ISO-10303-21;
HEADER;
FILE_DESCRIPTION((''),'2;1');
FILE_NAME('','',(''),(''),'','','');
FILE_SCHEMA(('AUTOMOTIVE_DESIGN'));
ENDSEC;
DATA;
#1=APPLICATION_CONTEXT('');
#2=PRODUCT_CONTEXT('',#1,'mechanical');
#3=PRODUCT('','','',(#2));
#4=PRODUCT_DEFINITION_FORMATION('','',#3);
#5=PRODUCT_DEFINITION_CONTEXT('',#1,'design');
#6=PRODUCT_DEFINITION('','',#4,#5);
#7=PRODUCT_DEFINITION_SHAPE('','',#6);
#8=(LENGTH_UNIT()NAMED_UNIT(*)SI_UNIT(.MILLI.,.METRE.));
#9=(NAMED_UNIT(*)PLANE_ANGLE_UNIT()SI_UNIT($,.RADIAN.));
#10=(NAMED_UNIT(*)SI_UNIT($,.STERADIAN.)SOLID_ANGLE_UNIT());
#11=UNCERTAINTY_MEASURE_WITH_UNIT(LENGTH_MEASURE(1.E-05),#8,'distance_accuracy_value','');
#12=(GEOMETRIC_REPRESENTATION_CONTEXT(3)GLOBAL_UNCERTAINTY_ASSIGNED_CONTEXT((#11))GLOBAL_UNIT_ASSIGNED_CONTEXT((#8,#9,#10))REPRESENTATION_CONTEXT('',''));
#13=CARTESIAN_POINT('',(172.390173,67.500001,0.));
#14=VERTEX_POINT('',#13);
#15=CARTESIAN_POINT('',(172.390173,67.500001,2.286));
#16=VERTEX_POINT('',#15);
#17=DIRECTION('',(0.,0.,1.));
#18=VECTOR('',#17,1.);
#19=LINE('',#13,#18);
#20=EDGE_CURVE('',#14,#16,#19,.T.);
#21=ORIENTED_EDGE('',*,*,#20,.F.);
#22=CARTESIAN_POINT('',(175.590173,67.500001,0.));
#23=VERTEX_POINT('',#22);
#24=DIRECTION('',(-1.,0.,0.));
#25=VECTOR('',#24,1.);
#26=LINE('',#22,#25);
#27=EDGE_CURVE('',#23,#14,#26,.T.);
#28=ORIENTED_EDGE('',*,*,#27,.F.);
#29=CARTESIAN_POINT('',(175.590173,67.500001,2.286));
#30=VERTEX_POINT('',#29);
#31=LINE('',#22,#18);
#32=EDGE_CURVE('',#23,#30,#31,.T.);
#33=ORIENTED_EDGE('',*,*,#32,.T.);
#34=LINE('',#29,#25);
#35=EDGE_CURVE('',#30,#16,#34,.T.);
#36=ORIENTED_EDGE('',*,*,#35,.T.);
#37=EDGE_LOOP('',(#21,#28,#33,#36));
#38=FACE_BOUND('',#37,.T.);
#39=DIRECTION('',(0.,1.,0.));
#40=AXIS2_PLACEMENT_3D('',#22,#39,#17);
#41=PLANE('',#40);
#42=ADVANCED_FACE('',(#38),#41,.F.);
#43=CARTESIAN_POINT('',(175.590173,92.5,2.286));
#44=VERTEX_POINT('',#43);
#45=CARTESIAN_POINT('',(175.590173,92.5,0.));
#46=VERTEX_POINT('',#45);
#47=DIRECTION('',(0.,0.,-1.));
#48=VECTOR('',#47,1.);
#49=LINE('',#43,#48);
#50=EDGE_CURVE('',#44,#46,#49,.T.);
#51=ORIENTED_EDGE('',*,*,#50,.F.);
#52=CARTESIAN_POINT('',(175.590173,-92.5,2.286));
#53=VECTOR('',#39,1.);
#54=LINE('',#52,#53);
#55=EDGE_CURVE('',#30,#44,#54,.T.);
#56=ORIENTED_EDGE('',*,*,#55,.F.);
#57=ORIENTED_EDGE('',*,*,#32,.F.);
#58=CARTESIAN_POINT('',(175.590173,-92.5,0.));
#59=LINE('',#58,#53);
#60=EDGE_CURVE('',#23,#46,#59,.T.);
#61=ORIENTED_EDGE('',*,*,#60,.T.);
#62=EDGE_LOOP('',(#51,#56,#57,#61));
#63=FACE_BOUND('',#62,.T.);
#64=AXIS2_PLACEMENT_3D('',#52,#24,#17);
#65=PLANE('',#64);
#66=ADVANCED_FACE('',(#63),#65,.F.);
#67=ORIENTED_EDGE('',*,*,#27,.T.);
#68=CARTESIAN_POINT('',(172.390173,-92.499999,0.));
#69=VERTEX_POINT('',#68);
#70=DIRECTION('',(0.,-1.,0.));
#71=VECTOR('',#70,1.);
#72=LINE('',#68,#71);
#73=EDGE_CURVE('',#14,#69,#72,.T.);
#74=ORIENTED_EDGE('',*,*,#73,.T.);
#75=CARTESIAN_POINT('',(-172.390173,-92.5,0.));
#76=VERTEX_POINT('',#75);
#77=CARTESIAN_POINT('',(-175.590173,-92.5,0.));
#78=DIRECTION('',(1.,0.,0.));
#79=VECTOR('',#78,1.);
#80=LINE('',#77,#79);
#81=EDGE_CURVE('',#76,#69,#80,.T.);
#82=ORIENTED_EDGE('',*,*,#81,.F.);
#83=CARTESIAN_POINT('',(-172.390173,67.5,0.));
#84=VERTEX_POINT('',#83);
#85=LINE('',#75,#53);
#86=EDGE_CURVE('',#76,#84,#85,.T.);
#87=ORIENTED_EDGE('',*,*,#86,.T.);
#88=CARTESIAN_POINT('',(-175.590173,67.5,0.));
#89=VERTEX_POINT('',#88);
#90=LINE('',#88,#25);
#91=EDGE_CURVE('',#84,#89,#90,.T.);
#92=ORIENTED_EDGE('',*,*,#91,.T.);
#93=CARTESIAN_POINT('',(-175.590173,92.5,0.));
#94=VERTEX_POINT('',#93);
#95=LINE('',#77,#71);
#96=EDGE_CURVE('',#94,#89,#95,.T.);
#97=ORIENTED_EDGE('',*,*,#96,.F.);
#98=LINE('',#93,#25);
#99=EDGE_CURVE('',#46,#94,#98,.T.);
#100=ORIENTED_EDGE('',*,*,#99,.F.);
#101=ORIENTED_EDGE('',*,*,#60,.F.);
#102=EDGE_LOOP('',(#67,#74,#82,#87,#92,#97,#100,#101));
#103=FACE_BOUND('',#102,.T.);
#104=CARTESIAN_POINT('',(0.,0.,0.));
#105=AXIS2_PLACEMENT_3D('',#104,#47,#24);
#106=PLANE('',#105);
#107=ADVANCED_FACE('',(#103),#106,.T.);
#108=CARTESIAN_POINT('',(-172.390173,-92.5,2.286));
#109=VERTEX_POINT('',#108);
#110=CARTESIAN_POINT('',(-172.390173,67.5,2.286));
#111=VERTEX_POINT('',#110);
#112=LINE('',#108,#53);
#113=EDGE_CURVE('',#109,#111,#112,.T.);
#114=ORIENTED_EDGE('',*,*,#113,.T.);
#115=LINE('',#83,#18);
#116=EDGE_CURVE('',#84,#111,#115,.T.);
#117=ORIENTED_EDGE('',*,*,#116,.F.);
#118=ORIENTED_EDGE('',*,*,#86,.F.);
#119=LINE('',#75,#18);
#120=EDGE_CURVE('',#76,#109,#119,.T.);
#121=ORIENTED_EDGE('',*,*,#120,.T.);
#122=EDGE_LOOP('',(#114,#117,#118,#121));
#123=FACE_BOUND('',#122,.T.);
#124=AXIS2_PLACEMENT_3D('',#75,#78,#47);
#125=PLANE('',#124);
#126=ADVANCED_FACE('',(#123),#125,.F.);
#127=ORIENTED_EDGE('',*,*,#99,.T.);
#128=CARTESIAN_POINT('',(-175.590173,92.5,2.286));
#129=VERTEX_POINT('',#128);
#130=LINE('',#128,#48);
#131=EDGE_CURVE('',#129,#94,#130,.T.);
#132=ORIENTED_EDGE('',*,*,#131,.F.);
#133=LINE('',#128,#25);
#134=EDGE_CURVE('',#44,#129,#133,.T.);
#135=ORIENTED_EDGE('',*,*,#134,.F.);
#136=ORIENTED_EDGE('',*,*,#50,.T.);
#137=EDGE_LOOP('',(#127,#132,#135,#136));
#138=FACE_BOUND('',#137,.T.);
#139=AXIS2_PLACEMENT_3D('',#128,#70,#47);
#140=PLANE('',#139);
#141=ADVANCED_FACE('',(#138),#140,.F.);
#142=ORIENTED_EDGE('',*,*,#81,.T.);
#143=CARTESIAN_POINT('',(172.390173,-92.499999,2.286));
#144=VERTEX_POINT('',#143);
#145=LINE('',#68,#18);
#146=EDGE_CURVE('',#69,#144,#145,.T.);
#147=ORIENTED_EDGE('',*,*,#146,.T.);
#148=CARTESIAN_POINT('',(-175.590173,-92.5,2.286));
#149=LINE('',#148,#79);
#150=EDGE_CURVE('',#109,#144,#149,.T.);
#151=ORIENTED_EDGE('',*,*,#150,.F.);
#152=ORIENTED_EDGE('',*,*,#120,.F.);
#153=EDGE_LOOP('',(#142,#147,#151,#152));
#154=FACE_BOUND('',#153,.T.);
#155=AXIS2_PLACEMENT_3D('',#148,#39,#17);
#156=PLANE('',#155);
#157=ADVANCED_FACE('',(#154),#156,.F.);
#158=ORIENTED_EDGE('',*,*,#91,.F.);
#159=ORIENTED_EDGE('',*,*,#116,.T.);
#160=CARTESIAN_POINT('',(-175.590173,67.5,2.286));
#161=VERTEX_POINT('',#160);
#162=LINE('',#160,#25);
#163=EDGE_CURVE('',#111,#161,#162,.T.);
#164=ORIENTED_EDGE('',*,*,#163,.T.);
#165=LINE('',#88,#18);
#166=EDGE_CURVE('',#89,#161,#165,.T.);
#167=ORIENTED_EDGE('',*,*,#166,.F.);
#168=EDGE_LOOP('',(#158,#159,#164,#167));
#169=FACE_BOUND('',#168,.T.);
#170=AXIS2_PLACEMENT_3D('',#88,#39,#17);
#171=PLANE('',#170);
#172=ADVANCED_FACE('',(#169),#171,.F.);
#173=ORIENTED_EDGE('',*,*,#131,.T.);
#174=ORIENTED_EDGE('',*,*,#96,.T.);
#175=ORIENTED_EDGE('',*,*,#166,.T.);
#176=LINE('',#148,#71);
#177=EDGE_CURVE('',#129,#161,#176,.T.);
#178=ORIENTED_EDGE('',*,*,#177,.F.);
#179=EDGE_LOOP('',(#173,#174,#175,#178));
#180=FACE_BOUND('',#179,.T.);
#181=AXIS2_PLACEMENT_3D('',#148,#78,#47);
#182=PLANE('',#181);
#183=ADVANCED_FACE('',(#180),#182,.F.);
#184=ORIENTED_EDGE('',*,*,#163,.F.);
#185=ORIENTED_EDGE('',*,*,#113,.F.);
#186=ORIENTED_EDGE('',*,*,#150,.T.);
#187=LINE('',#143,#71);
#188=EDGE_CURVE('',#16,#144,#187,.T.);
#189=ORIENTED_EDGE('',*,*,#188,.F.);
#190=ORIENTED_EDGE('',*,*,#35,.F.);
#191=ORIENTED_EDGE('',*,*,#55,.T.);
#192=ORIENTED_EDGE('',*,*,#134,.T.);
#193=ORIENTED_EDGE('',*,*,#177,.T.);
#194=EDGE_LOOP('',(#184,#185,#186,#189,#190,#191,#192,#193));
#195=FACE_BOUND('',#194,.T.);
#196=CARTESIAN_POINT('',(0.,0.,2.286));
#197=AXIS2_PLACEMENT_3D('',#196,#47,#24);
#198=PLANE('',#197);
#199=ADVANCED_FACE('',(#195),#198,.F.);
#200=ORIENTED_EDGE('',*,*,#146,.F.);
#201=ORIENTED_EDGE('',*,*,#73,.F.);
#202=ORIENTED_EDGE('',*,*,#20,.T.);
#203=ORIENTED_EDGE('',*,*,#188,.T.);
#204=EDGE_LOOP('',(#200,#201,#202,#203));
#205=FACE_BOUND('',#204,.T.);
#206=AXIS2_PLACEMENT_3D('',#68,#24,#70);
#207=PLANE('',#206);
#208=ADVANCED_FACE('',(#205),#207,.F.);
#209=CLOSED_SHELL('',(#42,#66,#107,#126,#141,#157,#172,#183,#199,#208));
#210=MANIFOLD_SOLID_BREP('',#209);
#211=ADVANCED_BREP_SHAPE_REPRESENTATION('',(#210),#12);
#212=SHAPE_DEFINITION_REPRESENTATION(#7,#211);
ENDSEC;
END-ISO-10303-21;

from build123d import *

# Parameters (mm, degrees)
SKETCH1_W           = 351.18034539
SKETCH1_H           = 184.999999
BOSS_EXTRUDE1_DEPTH = 2.286
SKETCH2_W           = 3.2
SKETCH2_H           = 160
CUT_EXTRUDE1_DEPTH  = 199.477667385


with BuildPart() as part:
    # Sketch1 → Boss-Extrude1 (new body)
    with BuildSketch(Plane.XY):
        Rectangle(SKETCH1_W, SKETCH1_H)
    extrude(amount=BOSS_EXTRUDE1_DEPTH)

    # Sketch2 → Cut-Extrude1 (cut, through all)
    with BuildSketch(Plane.XY.offset(2.286)):
        with Locations((-173.990172695, -12.4999995)):
            Rectangle(SKETCH2_W, SKETCH2_H)
        with Locations((173.990172695, -12.4999995)):
            Rectangle(SKETCH2_W, SKETCH2_H)
    extrude(amount=-CUT_EXTRUDE1_DEPTH, mode=Mode.SUBTRACT)


solid = part.part
